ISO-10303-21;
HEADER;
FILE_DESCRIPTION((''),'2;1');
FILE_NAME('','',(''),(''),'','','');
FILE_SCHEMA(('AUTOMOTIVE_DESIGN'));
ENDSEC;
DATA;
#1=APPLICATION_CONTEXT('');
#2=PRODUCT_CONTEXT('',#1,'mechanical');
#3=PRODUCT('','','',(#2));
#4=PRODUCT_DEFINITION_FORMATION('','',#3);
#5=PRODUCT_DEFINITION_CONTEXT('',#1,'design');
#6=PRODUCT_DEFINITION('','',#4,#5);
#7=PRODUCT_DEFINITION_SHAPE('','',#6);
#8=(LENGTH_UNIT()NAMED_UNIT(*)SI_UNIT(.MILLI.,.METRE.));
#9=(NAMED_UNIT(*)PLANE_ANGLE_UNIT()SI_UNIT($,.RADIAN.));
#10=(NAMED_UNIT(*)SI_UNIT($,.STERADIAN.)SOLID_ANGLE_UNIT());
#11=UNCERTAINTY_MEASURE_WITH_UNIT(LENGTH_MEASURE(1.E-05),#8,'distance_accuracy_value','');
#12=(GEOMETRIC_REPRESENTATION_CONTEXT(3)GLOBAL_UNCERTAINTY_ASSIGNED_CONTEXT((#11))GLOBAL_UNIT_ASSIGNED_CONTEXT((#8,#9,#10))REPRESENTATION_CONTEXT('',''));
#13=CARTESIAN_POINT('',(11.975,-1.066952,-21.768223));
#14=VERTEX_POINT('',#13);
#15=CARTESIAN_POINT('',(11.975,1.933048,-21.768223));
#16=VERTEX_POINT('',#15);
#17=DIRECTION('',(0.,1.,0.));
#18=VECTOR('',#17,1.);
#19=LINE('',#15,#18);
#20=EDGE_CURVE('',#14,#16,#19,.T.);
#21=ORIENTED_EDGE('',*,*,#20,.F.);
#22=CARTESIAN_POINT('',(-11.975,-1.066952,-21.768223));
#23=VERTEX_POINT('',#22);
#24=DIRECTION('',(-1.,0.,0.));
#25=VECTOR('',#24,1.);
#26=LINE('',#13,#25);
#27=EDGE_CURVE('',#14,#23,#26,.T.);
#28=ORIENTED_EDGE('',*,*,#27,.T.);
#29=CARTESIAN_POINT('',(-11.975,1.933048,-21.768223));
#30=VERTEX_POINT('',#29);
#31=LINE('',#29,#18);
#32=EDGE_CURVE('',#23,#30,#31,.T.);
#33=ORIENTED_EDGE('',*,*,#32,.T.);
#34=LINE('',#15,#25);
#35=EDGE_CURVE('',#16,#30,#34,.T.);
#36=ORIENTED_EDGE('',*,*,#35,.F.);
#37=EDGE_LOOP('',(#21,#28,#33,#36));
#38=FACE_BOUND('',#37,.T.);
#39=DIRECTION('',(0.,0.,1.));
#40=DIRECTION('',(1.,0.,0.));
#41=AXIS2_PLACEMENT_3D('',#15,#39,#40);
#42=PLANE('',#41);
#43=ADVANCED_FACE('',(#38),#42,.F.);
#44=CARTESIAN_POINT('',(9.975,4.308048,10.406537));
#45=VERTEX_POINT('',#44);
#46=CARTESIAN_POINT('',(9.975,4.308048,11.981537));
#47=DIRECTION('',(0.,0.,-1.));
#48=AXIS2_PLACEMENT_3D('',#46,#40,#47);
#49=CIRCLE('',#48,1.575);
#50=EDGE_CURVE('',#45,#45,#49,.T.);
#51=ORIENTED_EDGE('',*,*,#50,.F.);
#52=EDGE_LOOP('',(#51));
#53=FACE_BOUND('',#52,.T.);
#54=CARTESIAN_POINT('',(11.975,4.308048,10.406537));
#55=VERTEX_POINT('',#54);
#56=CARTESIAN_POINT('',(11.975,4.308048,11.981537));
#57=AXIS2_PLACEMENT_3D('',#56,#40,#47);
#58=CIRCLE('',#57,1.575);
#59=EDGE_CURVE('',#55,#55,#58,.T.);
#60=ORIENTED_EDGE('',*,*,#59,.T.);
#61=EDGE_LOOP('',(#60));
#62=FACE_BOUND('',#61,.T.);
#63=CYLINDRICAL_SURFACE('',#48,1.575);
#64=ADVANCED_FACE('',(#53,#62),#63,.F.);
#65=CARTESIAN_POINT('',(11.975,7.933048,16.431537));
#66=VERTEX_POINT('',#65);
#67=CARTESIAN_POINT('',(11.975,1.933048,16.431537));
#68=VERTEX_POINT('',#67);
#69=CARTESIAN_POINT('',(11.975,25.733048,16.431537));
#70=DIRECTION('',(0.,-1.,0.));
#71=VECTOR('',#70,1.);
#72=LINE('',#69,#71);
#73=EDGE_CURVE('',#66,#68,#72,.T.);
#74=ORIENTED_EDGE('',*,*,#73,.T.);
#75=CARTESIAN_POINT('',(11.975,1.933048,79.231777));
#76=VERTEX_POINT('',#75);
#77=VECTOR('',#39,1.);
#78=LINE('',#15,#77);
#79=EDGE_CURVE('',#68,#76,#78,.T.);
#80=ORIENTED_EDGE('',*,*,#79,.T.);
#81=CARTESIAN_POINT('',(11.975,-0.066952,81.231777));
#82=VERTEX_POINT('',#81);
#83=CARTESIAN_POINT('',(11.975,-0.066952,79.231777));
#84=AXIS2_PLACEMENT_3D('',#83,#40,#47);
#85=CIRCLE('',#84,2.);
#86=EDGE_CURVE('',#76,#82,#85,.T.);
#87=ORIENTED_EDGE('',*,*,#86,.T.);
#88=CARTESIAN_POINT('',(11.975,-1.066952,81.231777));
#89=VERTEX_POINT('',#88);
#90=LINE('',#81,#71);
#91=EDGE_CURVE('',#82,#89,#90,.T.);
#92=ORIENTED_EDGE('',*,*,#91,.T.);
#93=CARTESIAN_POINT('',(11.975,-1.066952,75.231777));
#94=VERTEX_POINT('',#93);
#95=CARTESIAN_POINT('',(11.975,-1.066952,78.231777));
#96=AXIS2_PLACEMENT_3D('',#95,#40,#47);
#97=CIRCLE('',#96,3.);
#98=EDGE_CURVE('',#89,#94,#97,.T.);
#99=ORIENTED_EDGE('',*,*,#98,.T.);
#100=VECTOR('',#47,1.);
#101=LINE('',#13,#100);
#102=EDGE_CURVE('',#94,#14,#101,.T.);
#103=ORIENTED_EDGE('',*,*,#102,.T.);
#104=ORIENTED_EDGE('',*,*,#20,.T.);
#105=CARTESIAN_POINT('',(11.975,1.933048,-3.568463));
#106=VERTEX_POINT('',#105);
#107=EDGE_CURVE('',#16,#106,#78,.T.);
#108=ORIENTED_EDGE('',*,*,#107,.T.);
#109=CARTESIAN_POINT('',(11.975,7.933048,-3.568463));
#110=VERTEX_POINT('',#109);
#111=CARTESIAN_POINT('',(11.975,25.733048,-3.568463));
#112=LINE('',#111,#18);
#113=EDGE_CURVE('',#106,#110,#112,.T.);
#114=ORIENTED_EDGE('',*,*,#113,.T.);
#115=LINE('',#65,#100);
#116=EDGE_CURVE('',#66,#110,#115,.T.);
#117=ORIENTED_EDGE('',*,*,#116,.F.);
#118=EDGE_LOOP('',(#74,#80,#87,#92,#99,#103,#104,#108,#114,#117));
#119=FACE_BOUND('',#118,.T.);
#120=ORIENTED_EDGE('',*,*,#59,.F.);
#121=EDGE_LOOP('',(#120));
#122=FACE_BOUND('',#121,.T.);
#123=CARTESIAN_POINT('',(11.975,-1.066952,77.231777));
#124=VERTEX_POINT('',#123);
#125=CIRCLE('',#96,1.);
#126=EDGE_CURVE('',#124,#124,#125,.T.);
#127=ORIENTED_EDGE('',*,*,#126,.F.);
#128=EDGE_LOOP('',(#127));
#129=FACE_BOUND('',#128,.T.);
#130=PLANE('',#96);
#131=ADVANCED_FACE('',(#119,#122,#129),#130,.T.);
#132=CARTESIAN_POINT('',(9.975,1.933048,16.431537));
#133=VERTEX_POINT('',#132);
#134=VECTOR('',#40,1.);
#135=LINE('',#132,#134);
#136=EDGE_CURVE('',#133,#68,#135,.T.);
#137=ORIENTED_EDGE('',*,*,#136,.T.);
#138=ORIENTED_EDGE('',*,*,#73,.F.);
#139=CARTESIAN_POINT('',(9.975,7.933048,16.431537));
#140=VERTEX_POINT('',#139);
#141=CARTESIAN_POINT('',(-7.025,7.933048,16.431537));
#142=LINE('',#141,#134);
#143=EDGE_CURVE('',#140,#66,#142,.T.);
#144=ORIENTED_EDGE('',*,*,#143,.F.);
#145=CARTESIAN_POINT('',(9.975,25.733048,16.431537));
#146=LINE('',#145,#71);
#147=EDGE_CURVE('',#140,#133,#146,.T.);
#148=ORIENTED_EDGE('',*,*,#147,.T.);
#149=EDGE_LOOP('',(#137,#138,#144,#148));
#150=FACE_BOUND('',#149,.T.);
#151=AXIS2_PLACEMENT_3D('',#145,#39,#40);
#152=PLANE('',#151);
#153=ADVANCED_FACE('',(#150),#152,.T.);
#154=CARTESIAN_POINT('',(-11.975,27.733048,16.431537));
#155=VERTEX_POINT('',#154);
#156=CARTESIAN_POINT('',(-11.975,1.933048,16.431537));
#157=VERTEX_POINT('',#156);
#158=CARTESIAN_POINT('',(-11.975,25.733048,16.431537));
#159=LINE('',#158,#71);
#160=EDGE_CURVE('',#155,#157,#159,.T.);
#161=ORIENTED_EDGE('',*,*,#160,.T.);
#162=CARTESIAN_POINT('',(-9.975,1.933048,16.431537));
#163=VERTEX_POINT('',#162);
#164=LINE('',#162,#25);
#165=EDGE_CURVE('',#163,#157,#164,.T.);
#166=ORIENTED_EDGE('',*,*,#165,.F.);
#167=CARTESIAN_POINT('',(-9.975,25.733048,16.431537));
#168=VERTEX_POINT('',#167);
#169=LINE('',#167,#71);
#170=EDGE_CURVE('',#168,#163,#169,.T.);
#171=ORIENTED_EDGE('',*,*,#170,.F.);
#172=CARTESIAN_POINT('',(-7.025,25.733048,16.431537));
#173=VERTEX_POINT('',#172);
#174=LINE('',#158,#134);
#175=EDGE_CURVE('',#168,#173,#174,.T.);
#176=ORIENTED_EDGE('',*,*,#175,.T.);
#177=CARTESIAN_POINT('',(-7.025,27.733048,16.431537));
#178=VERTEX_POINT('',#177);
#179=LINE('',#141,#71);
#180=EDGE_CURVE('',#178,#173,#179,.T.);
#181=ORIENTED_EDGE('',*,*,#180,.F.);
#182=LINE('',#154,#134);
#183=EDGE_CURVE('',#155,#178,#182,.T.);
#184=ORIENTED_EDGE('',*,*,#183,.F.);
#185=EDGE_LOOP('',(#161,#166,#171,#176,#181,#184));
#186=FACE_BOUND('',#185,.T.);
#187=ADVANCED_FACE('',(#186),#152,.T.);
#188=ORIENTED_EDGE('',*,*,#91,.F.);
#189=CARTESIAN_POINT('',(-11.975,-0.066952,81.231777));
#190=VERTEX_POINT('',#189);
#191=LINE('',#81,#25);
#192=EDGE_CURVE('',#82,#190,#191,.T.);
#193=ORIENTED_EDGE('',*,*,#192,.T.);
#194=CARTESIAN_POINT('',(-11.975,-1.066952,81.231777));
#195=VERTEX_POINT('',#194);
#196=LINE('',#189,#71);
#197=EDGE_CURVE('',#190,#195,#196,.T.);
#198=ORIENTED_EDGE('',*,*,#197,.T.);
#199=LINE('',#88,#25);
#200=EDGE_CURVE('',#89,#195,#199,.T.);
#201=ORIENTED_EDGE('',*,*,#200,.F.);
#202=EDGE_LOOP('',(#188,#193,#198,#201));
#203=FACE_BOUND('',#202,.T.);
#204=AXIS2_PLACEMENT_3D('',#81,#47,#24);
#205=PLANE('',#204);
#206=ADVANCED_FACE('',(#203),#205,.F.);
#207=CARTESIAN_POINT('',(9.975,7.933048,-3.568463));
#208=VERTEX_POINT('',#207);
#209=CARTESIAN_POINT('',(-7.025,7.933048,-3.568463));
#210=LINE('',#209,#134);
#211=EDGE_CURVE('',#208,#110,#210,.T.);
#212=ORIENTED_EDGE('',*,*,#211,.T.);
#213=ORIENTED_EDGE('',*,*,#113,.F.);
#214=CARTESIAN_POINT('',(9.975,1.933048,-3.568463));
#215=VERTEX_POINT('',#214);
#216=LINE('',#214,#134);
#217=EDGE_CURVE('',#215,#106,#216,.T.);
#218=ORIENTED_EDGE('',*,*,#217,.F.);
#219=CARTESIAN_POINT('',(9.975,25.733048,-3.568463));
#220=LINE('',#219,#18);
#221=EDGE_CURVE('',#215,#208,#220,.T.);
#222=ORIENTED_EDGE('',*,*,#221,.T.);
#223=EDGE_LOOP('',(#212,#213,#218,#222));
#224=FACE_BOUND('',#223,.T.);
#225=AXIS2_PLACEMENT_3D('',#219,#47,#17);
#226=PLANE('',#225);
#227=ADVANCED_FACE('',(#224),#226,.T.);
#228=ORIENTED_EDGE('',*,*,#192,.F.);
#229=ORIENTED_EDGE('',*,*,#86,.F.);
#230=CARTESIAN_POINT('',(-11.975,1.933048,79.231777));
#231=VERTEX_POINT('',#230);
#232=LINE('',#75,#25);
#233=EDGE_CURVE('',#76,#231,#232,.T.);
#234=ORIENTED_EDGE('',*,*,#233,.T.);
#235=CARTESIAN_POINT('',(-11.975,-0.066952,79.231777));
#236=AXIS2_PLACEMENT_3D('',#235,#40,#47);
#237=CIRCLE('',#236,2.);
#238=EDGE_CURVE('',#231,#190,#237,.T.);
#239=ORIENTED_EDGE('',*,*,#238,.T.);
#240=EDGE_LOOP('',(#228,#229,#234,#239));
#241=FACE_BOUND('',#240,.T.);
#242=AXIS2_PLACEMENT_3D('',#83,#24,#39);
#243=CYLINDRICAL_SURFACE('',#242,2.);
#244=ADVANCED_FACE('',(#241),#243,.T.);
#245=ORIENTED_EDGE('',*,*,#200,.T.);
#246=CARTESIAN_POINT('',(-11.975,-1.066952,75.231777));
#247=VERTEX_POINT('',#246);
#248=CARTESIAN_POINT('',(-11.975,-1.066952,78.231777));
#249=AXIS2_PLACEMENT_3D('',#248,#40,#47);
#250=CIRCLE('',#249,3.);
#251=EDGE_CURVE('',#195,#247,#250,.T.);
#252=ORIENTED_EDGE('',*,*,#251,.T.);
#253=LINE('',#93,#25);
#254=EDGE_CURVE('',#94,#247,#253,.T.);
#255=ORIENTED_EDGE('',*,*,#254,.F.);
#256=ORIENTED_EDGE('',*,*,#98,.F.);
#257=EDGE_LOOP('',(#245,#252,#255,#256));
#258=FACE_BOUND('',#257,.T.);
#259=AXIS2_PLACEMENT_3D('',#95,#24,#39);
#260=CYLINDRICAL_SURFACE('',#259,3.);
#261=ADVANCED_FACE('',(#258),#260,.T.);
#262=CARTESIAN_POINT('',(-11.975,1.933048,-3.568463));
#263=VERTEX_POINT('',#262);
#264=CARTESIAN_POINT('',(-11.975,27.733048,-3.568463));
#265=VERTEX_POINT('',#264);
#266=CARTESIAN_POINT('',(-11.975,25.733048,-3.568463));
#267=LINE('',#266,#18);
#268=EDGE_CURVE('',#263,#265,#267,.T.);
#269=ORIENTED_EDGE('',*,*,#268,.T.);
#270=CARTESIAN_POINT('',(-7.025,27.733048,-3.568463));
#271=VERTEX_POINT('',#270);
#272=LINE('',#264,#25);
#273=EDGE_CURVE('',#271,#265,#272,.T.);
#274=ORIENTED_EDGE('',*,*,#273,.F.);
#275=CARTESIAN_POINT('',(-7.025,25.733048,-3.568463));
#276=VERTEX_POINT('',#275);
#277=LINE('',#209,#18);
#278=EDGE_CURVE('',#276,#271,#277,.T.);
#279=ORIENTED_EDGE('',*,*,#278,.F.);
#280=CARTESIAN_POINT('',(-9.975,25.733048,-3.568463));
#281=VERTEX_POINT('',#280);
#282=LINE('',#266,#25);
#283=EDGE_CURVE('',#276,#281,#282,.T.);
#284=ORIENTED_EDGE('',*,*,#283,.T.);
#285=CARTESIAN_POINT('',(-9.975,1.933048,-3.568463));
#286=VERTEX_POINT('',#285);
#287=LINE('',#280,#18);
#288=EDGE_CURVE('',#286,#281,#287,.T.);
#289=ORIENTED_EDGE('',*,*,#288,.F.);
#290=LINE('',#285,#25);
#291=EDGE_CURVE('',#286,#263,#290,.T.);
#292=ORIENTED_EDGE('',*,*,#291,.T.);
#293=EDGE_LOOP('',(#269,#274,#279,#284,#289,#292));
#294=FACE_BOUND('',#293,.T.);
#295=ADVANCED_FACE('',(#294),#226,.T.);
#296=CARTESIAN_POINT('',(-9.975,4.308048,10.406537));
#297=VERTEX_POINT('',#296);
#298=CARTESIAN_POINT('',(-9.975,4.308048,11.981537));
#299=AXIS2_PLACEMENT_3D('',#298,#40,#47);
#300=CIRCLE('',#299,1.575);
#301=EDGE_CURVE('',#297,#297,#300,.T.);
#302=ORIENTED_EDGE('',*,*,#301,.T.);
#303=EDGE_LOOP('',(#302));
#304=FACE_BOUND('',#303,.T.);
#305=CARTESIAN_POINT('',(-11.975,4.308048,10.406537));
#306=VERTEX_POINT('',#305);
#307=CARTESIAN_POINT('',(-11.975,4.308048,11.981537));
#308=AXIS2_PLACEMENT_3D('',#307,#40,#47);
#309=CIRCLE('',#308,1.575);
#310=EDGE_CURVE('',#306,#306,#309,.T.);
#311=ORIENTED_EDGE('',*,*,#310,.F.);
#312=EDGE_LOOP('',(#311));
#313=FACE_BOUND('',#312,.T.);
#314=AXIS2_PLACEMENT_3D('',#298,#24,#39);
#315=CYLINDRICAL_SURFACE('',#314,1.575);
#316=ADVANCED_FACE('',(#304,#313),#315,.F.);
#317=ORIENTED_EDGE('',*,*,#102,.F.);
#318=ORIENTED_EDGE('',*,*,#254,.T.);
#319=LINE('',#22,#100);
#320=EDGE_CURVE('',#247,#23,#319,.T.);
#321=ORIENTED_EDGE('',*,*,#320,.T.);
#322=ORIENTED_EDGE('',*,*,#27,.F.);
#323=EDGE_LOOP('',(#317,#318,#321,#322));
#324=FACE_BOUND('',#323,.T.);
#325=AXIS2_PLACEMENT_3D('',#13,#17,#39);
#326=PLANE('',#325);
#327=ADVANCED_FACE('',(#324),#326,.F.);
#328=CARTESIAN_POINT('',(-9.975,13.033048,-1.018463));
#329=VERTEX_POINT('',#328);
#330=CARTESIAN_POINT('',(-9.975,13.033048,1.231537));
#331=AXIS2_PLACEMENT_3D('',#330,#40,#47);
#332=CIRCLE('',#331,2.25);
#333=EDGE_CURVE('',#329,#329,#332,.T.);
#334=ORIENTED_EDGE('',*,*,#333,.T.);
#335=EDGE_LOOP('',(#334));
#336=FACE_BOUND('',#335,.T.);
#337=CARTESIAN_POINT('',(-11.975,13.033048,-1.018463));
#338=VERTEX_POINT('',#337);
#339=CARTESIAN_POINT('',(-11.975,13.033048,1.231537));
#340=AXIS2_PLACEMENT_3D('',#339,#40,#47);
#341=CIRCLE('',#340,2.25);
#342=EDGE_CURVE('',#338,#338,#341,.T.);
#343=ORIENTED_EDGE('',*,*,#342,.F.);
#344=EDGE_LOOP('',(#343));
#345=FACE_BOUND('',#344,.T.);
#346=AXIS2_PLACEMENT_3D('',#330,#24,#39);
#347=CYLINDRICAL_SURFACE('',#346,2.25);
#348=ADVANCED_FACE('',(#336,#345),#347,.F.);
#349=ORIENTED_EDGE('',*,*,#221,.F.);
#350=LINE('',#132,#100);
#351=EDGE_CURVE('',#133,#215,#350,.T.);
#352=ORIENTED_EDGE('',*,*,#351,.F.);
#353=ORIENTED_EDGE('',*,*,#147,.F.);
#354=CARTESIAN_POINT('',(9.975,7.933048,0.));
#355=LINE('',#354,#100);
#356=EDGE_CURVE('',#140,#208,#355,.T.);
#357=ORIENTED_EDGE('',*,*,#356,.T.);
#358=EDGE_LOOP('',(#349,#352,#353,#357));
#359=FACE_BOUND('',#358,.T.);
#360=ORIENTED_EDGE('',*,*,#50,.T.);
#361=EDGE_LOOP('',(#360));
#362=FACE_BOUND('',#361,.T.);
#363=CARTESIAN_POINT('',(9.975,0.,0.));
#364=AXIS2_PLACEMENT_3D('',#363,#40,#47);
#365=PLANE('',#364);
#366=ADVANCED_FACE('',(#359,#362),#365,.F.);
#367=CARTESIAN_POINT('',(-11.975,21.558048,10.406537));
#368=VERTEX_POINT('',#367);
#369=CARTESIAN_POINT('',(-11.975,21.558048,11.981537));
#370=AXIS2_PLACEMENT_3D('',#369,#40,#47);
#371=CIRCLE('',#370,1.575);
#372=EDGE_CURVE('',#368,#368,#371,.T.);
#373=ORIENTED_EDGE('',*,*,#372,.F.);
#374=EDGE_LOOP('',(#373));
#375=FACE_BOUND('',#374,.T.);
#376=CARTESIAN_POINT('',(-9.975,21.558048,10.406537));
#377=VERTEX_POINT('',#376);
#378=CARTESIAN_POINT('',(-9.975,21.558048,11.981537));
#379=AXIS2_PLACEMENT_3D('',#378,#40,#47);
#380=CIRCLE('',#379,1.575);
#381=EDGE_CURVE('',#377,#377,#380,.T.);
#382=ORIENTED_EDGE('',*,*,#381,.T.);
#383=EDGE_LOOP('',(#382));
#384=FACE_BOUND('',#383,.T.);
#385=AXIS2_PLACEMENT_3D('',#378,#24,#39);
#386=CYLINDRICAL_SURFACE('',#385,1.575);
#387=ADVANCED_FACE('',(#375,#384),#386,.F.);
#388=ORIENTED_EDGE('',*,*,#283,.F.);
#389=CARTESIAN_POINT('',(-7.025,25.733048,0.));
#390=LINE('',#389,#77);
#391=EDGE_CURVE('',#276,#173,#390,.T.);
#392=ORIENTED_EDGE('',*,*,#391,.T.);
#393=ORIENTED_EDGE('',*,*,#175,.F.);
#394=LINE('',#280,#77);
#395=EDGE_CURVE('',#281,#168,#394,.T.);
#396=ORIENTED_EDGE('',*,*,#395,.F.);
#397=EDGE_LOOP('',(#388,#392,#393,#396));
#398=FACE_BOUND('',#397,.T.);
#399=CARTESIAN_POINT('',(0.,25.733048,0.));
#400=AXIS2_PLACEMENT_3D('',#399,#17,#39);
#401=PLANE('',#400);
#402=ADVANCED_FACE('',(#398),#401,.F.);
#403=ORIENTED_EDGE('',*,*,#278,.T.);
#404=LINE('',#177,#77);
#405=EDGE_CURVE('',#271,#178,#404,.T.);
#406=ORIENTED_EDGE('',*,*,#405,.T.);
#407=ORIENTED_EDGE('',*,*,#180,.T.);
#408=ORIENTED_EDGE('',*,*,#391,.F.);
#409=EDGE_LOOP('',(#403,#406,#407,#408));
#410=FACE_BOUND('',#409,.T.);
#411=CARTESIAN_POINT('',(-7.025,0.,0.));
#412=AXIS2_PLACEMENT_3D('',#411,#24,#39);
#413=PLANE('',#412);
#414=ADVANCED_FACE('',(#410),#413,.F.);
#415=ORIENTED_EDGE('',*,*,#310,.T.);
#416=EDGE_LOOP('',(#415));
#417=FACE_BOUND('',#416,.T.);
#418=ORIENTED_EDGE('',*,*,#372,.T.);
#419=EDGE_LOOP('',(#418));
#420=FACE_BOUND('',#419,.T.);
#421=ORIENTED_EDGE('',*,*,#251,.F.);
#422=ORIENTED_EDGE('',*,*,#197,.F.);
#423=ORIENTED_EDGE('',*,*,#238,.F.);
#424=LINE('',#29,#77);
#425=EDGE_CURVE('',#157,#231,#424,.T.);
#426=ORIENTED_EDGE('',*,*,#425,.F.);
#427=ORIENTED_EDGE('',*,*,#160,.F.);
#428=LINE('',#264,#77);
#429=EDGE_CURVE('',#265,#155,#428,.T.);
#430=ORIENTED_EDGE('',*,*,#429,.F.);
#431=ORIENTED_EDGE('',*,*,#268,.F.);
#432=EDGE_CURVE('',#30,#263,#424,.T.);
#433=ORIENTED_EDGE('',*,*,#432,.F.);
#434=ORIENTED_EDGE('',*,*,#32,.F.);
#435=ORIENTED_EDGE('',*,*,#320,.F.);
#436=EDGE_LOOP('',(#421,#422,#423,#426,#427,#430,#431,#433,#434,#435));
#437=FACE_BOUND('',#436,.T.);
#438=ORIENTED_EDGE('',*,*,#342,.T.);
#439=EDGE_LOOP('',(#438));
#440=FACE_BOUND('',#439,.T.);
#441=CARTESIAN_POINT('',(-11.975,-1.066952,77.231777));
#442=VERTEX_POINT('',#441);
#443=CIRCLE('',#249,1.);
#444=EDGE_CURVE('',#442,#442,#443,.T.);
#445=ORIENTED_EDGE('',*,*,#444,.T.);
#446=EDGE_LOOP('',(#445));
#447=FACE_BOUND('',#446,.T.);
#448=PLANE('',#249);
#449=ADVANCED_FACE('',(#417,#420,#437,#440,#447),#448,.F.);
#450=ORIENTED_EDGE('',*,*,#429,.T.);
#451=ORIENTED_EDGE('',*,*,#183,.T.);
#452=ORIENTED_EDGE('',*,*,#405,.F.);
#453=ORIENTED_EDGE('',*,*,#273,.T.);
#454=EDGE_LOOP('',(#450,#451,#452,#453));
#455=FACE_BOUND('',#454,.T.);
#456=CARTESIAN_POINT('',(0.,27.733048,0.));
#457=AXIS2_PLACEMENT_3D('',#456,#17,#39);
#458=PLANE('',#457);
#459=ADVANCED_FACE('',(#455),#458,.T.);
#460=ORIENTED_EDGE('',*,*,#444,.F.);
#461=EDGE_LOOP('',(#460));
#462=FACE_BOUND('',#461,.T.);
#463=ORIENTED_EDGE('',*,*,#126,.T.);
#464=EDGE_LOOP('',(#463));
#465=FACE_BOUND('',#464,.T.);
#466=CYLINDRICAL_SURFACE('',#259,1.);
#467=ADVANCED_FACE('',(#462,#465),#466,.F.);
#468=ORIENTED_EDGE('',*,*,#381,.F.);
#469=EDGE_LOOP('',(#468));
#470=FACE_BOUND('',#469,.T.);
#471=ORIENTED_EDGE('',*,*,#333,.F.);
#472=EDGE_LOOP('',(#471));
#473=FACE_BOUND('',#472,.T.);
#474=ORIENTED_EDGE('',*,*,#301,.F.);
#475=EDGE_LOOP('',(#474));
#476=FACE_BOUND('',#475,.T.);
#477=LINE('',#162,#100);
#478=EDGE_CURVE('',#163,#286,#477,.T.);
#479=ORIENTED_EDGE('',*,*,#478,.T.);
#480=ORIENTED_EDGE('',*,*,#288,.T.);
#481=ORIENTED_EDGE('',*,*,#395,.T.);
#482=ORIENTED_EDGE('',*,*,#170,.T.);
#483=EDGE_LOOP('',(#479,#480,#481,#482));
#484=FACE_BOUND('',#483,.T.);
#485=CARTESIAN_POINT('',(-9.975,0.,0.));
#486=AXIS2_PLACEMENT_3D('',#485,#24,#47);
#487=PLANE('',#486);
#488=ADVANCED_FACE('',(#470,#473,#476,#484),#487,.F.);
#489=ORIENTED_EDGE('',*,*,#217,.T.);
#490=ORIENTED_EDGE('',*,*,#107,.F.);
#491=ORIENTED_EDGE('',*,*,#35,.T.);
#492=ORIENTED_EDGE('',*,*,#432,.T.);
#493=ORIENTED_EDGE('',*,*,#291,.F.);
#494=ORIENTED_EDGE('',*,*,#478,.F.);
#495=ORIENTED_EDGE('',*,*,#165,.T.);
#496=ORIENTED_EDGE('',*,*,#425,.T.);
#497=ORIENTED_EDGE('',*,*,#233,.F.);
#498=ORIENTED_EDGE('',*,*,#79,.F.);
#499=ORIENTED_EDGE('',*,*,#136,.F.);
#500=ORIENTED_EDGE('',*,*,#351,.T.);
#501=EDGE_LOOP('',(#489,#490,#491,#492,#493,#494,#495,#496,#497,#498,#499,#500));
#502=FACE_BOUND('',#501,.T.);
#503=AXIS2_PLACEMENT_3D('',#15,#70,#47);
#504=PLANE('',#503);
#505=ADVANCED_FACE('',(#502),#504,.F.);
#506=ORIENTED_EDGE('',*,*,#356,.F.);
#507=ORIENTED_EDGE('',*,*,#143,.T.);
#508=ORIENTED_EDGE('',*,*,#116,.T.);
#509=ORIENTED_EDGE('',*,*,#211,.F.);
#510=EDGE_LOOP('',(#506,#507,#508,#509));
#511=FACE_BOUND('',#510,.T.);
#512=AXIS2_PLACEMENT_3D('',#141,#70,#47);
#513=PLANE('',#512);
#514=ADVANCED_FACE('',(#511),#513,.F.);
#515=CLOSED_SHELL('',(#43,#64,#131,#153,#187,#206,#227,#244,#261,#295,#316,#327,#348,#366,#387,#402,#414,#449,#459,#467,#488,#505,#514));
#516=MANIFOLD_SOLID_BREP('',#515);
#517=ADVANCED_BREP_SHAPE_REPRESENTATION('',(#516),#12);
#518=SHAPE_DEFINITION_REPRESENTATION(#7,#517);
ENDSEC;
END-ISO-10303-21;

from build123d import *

# Parameters (mm, degrees)
SKETCH1_R           = 1
BOSS_EXTRUDE1_DEPTH = 11.975
SKETCH2_W           = 20
SKETCH2_H           = 23.8
SKETCH2_R           = 1.575
SKETCH2_R_2         = 2.25
BOSS_EXTRUDE2_DEPTH = 2
SKETCH3_W           = 23.95
SKETCH3_H           = 20
BOSS_EXTRUDE3_DEPTH = 2
SKETCH4_W           = 20
SKETCH4_H           = 19.8
CUT_EXTRUDE1_DEPTH  = 19


with BuildPart() as part:
    # Sketch1 → Boss-Extrude1 (new, symmetric)
    with BuildSketch(Plane(origin=(0, 0, 0), x_dir=(0, 0, -1), z_dir=(1, 0, 0))):
        with BuildLine():
            Line((21.768222654, 1.933048137), (-79.231777346, 1.933048137))
            ThreePointArc((-79.231777346, 1.933048137), (-80.645990908, 1.347261699), (-81.231777346, -0.066951863))
            Line((-81.231777346, -0.066951863), (-81.231777346, -1.066951863))
            ThreePointArc((-81.231777346, -1.066951863), (-78.231777346, -4.066951863), (-75.231777346, -1.066951863))
            Line((-75.231777346, -1.066951863), (21.768222654, -1.066951863))
            Line((21.768222654, -1.066951863), (21.768222654, 1.933048137))
        make_face()
        with Locations((-78.231777346, -1.066951863)):
            Circle(SKETCH1_R, mode=Mode.SUBTRACT)
    extrude(amount=BOSS_EXTRUDE1_DEPTH, both=True)

    # Sketch2 → Boss-Extrude2 (add)
    with BuildSketch(Plane(origin=(11.975, 0, 0), x_dir=(0, 0, -1), z_dir=(1, 0, 0))):
        with Locations((-6.431536694, 13.833048137)):
            Rectangle(SKETCH2_W, SKETCH2_H)
        with Locations((-11.981536694, 4.308048137)):
            Circle(SKETCH2_R, mode=Mode.SUBTRACT)
        with Locations((-11.981536694, 21.558048137)):
            Circle(SKETCH2_R, mode=Mode.SUBTRACT)
        with Locations((-1.231536694, 13.033048137)):
            Circle(SKETCH2_R_2, mode=Mode.SUBTRACT)
    boss_extrude2 = extrude(amount=-BOSS_EXTRUDE2_DEPTH)

    # Mirror1: Boss-Extrude2 across plane
    add(boss_extrude2.mirror(Plane(origin=(0, 0, 0), x_dir=(0, 0, 1), z_dir=(1, 0, 0))))

    # Sketch3 → Boss-Extrude3 (add)
    with BuildSketch(Plane(origin=(0, 25.733048137, 0), x_dir=(1, 0, 0), z_dir=(0, 1, 0))):
        with Locations((0, -6.431536694)):
            Rectangle(SKETCH3_W, SKETCH3_H)
    extrude(amount=BOSS_EXTRUDE3_DEPTH)

    # Sketch4 → Cut-Extrude1 (cut)
    with BuildSketch(Plane(origin=(11.975, 0, 0), x_dir=(0, 0, -1), z_dir=(1, 0, 0))):
        with Locations((-6.431536694, 17.833048137)):
            Rectangle(SKETCH4_W, SKETCH4_H)
    extrude(amount=-CUT_EXTRUDE1_DEPTH, mode=Mode.SUBTRACT)


solid = part.part
